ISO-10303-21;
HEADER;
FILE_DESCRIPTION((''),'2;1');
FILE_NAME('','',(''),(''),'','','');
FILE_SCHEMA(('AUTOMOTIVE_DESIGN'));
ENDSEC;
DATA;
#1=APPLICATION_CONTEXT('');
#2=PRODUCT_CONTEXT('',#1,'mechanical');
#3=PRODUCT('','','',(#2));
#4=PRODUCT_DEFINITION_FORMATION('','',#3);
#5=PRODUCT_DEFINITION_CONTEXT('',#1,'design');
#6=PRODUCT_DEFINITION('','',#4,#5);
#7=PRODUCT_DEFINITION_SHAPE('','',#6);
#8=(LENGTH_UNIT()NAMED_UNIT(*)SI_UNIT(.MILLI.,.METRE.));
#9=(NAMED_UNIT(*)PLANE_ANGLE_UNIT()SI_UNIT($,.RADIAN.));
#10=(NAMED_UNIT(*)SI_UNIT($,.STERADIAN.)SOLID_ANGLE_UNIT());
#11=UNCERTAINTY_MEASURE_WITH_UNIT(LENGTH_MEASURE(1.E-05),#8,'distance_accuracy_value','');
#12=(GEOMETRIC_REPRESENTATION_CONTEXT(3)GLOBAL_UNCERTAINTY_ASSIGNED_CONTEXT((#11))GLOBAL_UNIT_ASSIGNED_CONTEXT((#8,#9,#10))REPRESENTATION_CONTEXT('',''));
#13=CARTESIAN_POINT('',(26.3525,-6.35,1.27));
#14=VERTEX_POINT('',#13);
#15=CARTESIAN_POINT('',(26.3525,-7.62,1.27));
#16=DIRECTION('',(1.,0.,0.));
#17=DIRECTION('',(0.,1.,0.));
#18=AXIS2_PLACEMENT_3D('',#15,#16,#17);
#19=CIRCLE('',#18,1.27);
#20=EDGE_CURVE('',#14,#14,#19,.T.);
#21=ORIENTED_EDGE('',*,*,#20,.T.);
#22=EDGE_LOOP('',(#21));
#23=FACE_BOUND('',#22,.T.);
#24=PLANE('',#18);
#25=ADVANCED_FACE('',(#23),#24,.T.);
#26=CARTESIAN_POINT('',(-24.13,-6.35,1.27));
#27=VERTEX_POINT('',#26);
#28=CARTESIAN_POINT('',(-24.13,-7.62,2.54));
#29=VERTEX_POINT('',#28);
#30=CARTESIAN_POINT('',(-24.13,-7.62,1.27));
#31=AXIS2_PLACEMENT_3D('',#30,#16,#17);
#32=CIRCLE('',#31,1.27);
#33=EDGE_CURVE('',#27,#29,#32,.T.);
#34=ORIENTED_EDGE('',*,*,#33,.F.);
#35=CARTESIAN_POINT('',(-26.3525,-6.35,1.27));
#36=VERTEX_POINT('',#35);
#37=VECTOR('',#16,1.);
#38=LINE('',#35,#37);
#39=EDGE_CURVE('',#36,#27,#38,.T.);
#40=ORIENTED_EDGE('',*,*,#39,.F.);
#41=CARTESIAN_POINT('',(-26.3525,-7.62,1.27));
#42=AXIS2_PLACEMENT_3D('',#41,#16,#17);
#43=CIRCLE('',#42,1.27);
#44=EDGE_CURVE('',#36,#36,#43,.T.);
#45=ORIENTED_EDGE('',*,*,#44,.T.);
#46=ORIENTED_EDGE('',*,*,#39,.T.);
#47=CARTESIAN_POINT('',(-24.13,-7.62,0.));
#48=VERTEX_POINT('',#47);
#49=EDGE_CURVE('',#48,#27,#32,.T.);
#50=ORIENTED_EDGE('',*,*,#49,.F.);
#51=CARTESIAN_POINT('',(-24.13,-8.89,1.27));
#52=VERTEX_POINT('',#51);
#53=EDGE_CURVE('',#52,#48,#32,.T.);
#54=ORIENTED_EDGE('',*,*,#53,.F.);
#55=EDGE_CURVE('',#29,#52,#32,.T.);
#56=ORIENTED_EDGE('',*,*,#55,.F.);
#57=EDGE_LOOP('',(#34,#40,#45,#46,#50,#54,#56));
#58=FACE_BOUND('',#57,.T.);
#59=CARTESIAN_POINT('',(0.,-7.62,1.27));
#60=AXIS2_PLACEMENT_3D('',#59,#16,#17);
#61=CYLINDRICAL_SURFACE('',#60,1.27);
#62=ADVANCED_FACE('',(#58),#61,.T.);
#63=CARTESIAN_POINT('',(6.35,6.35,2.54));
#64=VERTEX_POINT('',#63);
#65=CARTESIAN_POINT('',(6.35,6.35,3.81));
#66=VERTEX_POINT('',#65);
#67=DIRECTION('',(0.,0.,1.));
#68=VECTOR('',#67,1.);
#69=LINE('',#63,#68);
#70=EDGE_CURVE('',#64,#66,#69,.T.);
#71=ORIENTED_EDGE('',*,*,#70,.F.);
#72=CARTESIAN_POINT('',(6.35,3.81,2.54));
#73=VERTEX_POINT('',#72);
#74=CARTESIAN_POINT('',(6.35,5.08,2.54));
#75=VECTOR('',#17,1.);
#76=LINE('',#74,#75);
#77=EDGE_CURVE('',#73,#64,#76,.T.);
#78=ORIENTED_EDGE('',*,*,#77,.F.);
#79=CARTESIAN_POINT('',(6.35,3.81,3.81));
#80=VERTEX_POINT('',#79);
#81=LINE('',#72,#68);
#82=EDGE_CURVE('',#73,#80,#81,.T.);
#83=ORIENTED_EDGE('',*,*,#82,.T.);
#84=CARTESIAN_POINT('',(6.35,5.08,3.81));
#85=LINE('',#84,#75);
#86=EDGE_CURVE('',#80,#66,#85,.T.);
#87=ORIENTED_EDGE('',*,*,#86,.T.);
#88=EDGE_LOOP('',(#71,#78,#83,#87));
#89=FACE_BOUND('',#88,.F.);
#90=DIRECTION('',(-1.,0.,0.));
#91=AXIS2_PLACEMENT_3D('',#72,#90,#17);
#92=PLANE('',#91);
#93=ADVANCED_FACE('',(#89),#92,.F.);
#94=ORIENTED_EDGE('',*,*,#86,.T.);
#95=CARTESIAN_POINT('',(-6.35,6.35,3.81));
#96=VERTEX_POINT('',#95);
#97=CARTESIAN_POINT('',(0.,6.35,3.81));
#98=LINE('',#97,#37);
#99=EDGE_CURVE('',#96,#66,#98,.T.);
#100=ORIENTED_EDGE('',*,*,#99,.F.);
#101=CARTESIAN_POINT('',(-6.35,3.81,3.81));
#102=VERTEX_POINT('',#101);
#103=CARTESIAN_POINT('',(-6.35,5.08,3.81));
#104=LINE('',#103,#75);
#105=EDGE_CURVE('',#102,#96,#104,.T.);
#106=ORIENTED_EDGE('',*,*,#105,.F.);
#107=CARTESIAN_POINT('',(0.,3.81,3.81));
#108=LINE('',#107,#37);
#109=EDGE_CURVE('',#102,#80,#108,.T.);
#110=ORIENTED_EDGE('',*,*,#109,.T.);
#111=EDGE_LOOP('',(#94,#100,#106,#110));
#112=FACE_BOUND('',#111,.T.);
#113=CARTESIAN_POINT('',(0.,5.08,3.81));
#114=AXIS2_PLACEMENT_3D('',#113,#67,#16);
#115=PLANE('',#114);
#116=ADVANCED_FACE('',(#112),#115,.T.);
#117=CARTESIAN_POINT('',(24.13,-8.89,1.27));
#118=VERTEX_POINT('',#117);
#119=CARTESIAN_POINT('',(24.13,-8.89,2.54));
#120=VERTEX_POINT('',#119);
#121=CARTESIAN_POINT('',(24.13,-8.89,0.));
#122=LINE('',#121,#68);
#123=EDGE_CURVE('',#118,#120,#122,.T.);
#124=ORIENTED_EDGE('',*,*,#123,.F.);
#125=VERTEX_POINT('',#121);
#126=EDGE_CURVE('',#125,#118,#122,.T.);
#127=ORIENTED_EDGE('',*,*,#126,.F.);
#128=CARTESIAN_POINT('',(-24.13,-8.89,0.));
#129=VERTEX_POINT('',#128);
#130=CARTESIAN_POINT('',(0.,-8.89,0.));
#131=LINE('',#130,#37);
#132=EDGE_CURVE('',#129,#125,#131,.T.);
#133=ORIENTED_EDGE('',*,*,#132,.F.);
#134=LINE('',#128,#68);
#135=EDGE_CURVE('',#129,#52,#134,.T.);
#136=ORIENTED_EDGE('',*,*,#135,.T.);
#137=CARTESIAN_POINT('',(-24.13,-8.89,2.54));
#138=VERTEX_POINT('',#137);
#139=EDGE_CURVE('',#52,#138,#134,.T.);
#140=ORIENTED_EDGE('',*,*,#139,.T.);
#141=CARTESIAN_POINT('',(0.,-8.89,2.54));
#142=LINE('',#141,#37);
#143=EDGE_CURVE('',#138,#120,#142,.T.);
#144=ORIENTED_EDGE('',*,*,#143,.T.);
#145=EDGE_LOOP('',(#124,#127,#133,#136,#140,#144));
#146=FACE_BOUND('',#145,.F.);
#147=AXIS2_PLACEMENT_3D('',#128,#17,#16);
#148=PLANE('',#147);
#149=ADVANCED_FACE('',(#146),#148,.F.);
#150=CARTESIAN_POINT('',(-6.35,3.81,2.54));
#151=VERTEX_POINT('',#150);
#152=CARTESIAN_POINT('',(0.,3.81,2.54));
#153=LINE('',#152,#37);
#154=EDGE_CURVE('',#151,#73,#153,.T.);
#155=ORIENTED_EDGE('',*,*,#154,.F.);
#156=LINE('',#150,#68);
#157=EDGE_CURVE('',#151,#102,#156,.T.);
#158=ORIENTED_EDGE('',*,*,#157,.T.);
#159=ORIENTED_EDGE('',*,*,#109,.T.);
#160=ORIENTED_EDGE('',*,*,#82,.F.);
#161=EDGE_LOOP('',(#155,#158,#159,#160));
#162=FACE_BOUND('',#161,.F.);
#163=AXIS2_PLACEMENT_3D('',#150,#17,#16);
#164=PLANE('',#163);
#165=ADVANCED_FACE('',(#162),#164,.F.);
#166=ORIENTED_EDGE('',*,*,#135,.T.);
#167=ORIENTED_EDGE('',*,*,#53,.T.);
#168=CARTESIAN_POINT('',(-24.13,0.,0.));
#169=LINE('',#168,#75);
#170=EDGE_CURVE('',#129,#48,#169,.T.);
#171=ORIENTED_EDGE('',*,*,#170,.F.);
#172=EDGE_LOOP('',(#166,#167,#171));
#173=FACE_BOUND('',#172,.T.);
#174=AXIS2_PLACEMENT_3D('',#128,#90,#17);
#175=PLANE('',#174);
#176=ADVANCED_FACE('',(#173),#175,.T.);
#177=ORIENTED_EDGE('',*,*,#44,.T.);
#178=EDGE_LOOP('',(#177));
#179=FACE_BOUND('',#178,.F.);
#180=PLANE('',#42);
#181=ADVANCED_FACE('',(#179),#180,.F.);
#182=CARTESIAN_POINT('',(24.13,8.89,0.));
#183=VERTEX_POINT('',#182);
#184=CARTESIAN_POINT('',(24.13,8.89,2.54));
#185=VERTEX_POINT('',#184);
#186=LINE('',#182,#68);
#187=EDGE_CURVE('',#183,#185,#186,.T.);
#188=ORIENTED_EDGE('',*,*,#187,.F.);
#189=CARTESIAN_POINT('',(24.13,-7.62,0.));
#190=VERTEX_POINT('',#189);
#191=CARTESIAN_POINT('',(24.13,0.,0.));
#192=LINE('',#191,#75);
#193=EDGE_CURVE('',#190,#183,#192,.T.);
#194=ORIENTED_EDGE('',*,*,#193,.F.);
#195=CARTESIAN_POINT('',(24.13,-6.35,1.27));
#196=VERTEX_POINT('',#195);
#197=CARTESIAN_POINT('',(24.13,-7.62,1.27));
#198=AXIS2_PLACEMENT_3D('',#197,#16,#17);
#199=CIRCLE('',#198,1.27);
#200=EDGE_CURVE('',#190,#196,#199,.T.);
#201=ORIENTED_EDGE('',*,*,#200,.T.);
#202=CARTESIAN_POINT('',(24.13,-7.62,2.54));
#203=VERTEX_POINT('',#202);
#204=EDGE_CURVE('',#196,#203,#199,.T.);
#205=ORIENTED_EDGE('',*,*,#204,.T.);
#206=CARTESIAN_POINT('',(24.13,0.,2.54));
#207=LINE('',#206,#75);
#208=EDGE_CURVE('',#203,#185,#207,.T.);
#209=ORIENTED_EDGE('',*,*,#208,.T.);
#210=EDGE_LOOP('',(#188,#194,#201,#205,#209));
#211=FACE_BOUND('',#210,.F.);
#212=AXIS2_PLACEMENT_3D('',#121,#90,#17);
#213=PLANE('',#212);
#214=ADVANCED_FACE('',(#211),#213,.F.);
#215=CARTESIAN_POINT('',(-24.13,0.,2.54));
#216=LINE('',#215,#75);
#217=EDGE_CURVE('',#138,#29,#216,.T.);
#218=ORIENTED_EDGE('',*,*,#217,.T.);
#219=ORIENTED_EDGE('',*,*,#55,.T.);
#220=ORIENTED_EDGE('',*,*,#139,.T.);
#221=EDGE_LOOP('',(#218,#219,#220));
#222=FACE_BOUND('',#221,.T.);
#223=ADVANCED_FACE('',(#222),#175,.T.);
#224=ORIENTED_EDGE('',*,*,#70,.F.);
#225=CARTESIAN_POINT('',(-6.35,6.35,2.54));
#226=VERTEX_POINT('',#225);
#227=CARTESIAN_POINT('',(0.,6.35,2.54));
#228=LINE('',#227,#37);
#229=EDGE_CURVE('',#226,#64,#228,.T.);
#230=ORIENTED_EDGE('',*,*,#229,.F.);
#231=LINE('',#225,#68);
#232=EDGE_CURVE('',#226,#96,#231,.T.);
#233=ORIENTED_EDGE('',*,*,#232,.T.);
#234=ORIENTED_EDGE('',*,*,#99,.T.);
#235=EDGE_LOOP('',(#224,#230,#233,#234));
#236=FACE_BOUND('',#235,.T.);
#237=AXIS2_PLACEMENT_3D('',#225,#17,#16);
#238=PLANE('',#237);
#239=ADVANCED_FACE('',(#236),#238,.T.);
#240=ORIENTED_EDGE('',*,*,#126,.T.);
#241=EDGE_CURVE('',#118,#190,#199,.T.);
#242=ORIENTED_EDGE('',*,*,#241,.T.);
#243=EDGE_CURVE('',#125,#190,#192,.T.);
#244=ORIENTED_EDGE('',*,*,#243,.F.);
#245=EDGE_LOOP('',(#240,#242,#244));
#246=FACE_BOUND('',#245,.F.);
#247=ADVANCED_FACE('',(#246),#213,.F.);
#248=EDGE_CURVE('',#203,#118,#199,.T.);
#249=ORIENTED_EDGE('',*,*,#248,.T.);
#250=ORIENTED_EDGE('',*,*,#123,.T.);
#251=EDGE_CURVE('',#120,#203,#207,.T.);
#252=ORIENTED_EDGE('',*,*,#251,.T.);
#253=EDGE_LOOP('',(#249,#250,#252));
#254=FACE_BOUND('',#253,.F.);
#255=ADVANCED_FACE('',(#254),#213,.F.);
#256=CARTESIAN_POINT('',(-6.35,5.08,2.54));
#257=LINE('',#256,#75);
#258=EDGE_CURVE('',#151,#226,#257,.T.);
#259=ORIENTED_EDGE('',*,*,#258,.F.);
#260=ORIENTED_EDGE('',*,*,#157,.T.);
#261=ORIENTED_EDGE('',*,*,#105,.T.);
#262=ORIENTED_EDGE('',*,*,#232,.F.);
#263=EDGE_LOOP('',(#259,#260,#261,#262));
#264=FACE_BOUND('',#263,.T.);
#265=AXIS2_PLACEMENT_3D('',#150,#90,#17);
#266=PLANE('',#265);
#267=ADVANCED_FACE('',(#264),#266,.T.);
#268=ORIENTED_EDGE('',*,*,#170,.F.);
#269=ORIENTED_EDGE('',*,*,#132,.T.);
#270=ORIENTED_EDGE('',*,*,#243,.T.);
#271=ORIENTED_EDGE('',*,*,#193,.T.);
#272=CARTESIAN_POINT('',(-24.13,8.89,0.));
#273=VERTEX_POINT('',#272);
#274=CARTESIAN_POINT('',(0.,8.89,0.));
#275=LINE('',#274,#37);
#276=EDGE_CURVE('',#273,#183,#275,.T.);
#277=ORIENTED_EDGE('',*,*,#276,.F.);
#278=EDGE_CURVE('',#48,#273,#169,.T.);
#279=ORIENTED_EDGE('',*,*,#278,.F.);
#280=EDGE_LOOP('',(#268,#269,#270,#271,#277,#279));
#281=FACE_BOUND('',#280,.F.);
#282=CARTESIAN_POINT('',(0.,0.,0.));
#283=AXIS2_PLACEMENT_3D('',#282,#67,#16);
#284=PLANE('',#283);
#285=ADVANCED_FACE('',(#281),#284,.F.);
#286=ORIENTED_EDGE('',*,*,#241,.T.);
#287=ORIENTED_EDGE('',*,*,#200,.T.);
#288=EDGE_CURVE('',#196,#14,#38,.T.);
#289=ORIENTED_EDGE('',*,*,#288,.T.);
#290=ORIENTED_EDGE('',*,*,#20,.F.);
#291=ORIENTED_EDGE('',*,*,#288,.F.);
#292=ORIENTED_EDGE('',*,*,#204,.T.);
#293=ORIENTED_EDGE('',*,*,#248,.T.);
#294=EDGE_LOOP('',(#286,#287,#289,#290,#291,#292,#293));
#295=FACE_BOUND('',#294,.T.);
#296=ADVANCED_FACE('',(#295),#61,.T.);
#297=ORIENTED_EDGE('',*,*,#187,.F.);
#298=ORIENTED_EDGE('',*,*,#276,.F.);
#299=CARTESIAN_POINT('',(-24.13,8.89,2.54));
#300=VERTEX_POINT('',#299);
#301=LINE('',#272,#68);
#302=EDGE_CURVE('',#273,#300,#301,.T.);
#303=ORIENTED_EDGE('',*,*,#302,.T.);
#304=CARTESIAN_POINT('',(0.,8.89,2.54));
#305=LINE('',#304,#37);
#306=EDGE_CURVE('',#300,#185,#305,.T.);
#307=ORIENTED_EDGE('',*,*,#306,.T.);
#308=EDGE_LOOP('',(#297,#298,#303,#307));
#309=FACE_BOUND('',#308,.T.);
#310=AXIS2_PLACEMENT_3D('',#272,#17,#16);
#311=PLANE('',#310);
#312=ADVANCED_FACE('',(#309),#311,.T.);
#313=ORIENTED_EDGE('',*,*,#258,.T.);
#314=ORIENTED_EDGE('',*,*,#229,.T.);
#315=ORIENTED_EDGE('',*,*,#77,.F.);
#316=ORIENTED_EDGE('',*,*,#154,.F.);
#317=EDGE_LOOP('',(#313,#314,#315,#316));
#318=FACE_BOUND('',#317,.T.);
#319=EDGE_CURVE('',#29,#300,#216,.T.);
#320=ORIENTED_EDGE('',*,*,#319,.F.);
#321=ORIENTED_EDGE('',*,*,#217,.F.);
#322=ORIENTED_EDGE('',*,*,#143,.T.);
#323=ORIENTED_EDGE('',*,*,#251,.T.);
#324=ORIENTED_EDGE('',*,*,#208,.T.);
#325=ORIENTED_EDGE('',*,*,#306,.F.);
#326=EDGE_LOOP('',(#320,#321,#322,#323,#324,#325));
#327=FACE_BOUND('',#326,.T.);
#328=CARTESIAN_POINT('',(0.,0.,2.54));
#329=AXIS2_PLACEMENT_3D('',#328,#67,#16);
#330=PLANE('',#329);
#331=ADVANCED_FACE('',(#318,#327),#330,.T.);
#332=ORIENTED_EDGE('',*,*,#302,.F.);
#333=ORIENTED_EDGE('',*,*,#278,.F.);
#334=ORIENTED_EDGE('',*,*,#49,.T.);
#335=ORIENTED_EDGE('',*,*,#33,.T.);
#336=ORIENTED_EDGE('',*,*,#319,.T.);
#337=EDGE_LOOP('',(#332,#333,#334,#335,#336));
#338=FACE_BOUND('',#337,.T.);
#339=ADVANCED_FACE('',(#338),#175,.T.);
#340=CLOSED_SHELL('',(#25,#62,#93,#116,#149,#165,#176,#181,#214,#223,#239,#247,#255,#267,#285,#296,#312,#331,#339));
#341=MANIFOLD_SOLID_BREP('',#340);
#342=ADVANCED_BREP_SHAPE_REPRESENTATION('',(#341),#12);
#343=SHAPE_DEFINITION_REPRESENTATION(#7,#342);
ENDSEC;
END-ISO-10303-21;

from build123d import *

# Parameters (mm, degrees)
F0_W     = 48.26
F0_H     = 17.78
F1_DEPTH = 2.54
F2_R     = 1.27
F3_DEPTH = 26.3525
F4_W     = 12.7
F4_H     = 2.54
F5_DEPTH = 1.27


with BuildPart() as f1:
    # F0 (on Top) → F1 (new body)
    with BuildSketch(Plane.XY):
        Rectangle(F0_W, F0_H)
    extrude(amount=F1_DEPTH)

    # F2 (on Right) → F3 (join, symmetric)
    with BuildSketch(Plane.YZ):
        with Locations((-7.62, 1.27)):
            Circle(F2_R)
    extrude(amount=F3_DEPTH, both=True)

    # F4 (on face) → F5 (join)
    with BuildSketch(Plane.XY.offset(2.54)):
        with Locations((0, 5.08)):
            Rectangle(F4_W, F4_H)
    extrude(amount=F5_DEPTH)


solid = f1.part
